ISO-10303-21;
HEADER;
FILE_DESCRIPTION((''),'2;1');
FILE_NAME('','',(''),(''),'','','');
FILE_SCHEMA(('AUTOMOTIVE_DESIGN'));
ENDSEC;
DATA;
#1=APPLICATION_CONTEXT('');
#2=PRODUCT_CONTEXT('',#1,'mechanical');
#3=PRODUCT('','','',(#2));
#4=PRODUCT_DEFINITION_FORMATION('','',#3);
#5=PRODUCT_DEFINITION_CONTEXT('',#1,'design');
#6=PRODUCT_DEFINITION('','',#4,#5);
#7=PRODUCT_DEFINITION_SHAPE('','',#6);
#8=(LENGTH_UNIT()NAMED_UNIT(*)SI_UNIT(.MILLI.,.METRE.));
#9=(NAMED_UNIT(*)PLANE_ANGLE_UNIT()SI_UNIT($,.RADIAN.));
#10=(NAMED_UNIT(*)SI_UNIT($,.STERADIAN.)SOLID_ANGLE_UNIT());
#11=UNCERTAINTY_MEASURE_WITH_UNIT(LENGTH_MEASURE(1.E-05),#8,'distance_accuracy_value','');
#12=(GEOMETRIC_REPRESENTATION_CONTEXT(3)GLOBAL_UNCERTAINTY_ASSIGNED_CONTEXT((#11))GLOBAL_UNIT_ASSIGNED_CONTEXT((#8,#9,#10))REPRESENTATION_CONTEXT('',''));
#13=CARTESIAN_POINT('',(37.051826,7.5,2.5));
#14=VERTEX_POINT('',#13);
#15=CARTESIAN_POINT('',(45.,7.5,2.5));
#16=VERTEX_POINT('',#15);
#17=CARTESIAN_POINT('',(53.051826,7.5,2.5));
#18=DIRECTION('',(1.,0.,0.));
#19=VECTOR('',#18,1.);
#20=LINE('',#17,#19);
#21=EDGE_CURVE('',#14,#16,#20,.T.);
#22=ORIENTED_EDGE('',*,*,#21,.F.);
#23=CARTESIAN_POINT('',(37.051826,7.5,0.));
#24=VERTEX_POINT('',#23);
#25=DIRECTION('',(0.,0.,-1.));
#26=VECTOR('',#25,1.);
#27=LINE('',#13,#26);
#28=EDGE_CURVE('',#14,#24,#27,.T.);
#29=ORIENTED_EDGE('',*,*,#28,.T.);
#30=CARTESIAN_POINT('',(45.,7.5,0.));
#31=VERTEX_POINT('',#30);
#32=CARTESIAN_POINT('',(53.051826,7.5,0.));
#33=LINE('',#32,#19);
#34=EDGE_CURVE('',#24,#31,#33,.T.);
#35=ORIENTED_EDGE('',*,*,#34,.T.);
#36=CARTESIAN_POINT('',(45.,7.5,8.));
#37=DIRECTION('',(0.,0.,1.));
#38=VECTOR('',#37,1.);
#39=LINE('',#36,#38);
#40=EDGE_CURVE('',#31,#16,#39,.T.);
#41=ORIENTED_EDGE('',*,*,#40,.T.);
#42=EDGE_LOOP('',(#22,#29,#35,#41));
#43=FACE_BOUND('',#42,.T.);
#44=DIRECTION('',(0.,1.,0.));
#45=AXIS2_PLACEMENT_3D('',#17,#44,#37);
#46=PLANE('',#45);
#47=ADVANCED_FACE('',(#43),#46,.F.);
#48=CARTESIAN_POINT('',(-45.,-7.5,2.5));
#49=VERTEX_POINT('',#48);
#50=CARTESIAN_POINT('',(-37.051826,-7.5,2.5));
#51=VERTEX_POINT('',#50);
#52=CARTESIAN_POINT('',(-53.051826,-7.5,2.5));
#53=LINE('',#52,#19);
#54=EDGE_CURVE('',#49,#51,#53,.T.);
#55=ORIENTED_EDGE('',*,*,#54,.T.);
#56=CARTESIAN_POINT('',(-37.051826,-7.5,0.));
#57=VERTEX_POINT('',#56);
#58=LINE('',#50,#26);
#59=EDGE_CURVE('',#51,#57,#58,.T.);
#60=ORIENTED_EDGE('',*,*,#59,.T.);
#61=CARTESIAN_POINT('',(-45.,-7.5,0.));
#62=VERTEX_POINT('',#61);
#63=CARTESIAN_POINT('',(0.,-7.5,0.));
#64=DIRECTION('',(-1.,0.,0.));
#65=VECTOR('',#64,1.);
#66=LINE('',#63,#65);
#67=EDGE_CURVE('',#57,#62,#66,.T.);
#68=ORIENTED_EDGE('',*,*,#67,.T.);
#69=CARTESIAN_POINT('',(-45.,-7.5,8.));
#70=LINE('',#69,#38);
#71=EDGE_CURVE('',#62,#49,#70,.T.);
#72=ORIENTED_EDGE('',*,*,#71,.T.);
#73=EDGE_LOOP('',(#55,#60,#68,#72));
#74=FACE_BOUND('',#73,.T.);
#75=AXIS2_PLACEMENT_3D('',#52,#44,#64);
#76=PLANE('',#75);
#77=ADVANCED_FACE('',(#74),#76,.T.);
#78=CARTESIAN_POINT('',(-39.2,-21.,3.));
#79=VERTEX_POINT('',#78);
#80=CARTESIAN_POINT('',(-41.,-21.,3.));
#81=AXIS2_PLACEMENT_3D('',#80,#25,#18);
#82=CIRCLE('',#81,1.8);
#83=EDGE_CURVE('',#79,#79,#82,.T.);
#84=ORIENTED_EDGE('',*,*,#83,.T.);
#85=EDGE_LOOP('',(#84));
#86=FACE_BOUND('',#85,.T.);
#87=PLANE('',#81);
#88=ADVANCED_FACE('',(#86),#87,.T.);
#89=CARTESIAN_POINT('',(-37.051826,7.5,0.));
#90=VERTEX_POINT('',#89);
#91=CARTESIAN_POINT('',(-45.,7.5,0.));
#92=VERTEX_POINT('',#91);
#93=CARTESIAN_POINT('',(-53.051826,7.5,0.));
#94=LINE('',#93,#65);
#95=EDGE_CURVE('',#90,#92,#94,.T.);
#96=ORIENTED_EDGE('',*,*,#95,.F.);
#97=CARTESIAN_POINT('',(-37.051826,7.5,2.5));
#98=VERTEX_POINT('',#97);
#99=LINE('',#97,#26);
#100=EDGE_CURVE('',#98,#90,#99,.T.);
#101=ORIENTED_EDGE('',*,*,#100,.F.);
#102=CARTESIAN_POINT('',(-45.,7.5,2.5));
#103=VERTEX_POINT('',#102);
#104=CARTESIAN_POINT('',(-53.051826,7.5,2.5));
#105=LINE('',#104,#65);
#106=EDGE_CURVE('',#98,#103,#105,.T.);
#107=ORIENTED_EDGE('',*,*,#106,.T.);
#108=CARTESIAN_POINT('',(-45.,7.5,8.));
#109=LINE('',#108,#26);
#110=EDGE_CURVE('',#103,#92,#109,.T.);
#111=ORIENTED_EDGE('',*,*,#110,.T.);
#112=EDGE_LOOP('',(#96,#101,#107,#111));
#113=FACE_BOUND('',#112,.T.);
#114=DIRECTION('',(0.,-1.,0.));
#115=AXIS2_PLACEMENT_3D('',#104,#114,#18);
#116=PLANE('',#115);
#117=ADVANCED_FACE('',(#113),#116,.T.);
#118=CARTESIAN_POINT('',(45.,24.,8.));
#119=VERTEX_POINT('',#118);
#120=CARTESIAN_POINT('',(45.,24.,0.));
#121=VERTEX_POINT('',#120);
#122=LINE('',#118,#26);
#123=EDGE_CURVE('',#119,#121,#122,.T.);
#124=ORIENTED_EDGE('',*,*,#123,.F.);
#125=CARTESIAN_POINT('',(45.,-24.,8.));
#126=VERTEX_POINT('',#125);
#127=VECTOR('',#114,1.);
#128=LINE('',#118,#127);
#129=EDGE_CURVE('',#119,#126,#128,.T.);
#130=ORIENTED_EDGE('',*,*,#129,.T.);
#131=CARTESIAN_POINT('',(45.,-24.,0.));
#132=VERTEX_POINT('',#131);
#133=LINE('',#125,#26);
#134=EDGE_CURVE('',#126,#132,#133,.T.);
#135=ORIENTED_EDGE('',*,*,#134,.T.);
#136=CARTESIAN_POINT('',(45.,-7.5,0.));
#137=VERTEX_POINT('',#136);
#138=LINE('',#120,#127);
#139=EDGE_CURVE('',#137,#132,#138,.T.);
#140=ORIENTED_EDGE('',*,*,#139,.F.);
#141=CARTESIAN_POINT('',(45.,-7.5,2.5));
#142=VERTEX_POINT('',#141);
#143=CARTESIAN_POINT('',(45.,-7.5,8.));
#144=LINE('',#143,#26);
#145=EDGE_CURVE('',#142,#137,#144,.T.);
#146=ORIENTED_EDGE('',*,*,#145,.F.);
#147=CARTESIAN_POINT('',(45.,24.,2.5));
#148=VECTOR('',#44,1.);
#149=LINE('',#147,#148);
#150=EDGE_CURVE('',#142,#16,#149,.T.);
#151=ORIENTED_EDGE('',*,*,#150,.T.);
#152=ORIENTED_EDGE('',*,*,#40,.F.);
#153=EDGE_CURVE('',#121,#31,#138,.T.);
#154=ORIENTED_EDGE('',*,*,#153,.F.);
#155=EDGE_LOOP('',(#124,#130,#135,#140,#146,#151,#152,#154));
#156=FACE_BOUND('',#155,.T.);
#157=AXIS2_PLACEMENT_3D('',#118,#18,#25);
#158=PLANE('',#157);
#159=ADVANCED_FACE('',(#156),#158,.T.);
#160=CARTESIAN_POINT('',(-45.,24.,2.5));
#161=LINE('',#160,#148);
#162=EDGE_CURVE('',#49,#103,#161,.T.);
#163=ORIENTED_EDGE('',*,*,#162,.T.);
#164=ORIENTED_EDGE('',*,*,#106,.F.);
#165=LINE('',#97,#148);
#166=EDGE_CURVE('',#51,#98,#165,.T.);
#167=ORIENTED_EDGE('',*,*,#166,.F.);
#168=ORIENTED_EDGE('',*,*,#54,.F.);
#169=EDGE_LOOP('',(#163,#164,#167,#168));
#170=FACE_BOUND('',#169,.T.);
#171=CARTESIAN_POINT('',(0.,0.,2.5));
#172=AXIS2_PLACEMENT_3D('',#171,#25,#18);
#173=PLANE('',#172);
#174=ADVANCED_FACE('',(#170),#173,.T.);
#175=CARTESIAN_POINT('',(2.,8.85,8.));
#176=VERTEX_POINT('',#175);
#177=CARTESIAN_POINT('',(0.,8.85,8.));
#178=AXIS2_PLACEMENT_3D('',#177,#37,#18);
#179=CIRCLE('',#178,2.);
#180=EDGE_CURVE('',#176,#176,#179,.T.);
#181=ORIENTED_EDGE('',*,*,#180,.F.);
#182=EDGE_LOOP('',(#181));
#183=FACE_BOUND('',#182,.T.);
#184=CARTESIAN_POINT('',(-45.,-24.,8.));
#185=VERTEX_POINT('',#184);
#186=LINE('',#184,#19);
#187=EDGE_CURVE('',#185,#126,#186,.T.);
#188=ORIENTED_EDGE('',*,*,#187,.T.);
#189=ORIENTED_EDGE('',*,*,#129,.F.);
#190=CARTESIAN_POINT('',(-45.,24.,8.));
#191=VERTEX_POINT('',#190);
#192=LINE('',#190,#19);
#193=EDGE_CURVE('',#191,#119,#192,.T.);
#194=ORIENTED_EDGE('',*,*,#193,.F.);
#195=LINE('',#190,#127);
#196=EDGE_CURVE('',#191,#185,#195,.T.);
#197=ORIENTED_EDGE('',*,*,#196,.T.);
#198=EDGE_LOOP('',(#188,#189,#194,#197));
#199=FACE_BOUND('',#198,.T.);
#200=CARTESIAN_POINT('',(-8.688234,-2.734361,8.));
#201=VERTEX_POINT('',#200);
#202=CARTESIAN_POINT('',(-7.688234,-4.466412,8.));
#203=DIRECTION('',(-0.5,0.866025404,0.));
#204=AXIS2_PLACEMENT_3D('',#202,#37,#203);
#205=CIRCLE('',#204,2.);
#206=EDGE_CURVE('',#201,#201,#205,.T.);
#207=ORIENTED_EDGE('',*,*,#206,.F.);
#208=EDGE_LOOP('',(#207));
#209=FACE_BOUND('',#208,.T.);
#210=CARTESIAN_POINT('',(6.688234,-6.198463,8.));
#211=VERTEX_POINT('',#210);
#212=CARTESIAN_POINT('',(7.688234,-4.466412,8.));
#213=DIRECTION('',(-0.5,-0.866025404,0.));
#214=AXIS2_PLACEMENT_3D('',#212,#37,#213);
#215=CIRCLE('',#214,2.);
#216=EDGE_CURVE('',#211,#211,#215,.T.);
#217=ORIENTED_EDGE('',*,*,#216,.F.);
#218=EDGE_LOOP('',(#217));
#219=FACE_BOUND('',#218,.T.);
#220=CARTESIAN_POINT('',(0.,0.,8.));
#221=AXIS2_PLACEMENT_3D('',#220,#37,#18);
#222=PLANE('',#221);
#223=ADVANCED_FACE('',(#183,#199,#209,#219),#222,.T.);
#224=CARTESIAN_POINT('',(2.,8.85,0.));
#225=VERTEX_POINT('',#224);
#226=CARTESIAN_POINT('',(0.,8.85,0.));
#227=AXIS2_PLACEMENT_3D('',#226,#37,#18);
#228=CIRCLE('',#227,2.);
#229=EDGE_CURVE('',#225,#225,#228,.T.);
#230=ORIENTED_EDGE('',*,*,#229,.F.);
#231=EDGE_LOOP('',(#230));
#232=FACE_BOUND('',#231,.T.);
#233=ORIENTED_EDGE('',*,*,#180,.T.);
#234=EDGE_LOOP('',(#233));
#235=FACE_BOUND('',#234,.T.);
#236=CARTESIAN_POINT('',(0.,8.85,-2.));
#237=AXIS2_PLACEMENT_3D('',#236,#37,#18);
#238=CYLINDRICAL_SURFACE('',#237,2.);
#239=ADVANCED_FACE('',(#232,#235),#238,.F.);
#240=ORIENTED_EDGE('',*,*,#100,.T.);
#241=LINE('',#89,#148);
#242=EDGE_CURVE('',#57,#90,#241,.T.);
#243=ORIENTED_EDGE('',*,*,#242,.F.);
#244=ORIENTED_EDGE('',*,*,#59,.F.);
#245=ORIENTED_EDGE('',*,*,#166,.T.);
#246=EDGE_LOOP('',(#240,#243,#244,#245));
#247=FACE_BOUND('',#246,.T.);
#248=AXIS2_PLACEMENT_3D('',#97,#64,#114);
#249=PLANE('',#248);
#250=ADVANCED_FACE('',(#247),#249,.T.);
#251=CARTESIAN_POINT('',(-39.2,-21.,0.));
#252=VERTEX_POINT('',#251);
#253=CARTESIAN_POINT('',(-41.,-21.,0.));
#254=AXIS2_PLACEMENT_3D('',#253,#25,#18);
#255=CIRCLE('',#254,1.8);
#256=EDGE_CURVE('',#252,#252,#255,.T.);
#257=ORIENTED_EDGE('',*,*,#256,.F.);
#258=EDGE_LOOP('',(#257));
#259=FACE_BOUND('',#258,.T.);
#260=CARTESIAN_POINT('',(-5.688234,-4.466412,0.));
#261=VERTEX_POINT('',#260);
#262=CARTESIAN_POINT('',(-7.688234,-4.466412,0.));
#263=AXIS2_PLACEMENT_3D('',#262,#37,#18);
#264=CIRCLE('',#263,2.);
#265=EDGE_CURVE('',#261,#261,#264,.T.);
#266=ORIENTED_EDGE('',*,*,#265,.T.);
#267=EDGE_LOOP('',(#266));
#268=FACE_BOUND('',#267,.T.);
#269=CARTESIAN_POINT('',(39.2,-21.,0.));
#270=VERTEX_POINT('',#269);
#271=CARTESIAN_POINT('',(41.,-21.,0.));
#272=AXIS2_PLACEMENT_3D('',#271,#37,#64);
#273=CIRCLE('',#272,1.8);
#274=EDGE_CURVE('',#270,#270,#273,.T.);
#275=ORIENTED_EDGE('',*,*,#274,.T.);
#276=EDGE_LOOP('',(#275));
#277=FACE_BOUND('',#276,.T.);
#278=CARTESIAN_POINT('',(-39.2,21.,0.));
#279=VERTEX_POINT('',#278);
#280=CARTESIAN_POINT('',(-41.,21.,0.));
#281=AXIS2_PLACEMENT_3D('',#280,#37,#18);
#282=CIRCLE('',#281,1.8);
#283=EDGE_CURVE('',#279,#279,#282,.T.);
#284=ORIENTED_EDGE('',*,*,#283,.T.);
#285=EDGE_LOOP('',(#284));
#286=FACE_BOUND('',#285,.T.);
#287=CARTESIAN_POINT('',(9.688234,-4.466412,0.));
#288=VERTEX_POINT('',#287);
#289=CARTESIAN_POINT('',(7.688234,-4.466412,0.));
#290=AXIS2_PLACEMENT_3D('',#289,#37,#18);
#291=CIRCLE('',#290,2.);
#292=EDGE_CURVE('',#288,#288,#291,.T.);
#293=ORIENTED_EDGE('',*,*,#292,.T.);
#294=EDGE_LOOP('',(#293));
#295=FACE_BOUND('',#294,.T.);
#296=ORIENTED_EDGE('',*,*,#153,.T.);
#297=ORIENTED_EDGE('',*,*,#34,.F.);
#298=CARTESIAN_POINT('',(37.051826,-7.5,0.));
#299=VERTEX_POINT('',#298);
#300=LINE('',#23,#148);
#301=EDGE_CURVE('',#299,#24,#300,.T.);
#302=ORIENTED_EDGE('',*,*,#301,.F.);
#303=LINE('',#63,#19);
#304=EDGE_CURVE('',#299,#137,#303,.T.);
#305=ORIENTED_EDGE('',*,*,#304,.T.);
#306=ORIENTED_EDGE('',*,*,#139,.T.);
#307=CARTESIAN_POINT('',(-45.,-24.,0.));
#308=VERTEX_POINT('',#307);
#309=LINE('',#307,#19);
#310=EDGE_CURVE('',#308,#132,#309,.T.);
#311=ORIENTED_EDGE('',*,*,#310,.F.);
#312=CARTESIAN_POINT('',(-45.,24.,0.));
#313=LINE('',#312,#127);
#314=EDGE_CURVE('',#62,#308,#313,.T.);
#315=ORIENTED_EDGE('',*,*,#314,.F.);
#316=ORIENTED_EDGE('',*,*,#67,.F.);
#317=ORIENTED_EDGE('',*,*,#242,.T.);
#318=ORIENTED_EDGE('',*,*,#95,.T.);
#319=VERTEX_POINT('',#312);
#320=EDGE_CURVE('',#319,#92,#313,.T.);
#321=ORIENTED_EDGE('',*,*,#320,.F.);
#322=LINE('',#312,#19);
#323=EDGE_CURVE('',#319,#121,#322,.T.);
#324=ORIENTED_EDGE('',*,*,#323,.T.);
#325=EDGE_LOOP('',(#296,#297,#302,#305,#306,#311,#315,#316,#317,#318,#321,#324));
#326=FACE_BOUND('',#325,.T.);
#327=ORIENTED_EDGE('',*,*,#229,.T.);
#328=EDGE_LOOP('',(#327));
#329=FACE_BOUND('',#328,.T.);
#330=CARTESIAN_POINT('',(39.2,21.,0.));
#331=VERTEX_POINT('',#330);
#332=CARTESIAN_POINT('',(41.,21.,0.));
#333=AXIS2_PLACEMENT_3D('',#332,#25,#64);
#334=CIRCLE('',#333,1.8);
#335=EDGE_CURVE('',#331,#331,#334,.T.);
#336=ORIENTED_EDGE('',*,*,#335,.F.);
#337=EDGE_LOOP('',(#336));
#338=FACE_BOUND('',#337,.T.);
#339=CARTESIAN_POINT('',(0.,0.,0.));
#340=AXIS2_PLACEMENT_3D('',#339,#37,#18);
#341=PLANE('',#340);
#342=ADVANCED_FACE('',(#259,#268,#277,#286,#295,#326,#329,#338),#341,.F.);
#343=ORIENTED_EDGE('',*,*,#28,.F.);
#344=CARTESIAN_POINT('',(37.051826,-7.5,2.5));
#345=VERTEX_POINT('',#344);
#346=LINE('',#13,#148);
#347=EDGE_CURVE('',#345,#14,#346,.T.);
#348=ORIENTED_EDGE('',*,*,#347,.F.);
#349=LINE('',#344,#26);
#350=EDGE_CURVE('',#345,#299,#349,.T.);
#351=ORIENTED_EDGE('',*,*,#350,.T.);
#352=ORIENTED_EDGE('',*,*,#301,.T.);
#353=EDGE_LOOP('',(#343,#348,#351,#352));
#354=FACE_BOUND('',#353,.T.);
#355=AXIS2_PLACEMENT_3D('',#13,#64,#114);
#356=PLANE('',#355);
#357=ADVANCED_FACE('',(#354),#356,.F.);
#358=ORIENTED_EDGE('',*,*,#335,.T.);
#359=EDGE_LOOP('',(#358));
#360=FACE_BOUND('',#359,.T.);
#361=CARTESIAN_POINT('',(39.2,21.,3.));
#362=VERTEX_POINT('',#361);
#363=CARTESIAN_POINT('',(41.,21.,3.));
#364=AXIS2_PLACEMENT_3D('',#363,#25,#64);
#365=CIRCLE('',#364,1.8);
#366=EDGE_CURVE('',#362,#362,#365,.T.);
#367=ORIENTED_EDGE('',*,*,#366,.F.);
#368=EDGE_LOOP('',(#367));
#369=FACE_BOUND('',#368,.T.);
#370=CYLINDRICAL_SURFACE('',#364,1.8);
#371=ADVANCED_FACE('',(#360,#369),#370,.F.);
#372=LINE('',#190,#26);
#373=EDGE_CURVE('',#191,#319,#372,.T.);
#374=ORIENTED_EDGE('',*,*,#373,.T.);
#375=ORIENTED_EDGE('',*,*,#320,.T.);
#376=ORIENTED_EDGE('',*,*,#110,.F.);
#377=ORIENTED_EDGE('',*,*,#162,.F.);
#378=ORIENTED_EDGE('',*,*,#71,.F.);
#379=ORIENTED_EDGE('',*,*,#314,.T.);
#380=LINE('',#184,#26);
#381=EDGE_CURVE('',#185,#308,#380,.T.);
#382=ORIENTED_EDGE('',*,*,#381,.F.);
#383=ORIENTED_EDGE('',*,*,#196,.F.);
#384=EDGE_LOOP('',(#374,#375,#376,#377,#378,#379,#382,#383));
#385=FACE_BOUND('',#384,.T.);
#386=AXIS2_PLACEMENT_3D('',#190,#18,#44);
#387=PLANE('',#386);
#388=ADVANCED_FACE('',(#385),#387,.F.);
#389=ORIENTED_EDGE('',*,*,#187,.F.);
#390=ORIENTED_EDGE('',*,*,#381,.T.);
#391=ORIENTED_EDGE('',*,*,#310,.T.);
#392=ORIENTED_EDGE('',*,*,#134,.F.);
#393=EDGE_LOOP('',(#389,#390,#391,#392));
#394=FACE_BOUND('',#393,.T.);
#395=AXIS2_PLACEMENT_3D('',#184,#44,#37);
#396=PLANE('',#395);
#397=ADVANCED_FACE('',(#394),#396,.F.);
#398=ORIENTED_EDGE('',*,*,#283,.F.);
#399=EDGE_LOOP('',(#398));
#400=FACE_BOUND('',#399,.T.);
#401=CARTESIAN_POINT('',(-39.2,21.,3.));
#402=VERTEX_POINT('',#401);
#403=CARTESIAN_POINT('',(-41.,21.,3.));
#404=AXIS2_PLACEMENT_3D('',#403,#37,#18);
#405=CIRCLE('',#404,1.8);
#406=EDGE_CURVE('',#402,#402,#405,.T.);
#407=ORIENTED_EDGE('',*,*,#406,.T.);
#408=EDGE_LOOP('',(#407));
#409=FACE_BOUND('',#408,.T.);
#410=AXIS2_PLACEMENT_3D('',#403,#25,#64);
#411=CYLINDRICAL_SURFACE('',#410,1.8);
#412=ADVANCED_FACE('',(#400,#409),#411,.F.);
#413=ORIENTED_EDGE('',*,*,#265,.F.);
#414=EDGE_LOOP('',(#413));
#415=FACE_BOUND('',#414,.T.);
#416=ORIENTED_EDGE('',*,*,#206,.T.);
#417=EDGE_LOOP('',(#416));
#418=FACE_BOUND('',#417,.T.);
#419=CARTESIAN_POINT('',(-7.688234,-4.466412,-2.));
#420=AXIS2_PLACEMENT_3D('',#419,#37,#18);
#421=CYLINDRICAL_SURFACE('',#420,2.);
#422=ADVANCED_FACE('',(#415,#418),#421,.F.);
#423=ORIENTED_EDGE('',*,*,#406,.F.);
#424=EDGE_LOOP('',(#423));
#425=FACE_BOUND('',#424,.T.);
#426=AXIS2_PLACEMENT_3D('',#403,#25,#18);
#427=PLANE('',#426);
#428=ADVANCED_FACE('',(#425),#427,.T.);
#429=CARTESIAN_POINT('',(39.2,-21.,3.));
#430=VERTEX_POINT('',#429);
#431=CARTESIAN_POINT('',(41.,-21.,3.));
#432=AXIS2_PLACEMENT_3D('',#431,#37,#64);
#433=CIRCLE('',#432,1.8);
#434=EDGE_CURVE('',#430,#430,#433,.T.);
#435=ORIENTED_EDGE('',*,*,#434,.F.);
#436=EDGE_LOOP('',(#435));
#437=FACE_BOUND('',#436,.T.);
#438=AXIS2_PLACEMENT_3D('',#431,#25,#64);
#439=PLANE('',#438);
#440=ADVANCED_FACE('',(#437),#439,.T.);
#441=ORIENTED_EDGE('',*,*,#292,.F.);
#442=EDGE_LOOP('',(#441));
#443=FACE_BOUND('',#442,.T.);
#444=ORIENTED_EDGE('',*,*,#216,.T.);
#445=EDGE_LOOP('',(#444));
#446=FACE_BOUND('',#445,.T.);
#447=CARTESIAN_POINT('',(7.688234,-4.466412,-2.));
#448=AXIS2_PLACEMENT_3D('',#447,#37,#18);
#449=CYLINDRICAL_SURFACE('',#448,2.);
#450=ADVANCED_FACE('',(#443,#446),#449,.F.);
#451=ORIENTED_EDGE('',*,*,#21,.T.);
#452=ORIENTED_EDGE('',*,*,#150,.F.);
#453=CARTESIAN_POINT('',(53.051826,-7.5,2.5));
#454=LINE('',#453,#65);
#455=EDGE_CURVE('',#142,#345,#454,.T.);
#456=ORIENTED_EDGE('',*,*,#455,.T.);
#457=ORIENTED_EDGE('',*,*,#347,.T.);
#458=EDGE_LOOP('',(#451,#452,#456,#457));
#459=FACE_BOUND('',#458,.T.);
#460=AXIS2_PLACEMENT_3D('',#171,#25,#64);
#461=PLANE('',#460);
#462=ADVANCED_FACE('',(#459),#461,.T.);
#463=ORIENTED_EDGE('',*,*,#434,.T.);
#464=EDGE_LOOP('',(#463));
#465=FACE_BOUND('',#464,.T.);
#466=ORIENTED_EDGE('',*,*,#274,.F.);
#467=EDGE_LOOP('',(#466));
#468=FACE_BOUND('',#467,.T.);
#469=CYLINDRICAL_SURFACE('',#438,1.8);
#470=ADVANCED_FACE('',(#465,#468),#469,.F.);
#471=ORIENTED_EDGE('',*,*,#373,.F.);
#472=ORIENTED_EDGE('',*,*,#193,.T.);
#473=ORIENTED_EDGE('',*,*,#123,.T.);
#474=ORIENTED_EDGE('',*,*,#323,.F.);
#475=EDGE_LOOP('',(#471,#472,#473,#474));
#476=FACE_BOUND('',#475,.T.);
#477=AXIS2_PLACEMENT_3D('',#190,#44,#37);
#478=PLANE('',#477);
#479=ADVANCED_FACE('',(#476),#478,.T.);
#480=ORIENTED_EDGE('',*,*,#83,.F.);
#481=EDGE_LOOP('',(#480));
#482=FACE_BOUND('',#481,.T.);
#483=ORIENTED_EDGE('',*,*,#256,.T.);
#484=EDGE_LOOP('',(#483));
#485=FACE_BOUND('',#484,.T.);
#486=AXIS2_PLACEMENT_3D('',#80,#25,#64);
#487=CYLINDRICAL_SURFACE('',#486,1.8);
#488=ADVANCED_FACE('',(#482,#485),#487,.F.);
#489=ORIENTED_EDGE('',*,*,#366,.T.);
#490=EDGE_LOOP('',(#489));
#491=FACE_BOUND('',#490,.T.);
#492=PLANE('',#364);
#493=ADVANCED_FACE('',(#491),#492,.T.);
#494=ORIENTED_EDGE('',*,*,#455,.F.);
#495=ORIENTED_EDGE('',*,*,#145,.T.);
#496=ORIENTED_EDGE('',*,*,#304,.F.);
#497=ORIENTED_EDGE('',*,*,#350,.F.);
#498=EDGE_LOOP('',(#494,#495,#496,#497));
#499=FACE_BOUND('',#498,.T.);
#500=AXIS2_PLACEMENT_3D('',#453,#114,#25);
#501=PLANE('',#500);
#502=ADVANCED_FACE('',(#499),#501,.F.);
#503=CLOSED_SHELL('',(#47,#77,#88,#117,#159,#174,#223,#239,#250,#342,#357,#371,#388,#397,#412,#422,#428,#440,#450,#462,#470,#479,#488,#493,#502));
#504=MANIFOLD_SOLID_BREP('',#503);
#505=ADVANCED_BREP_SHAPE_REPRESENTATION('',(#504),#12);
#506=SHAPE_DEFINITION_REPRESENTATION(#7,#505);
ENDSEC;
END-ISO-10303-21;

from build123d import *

# Parameters (mm, degrees)
SKETCH_1_W               = 90
SKETCH_1_H               = 48
EXTRUDE_1_DEPTH          = 8
SKETCH_6_R               = 1.8
CUT_EXTRUDE_4_DEPTH      = 3
MIRROR_6_COPY_1_SKETCH_R = 1.8
MIRROR_6_COPY_1_DEPTH    = 3
SKETCH_7_W               = 16
SKETCH_7_H               = 15
CUT_EXTRUDE_5_DEPTH      = 2.5
SKETCH_4_R               = 2
CUT_EXTRUDE_6_DEPTH      = 10
PATTERN_CIRCULAR_1_COUNT = 3


with BuildPart() as part:
    # 草图1 → 凸台-拉伸1 (new body)
    with BuildSketch(Plane.XY):
        Rectangle(SKETCH_1_W, SKETCH_1_H)
    extrude(amount=EXTRUDE_1_DEPTH)

    # 草图6 → 切除-拉伸4 (cut)
    with BuildSketch(Plane(origin=(0, 0, 0), x_dir=(-1, 0, 0), z_dir=(0, 0, -1))):
        with Locations((-41, 21)):
            Circle(SKETCH_6_R)
    cut_extrude_4 = extrude(amount=-CUT_EXTRUDE_4_DEPTH, mode=Mode.SUBTRACT)

    # 镜向5: 切除-拉伸4 across plane
    add(cut_extrude_4.mirror(Plane.ZX), mode=Mode.SUBTRACT)

    # 镜向6: 切除-拉伸4 across plane
    add(cut_extrude_4.mirror(Plane(origin=(0, 0, 0), x_dir=(0, 0, 1), z_dir=(1, 0, 0))), mode=Mode.SUBTRACT)

    # 镜向6 copy 1 sketch → 镜向6 copy 1 (cut)
    with BuildSketch(Plane(origin=(0, 0, 0), x_dir=(1, 0, 0), z_dir=(0, 0, -1))):
        with Locations((-41, 21)):
            Circle(MIRROR_6_COPY_1_SKETCH_R)
    extrude(amount=-MIRROR_6_COPY_1_DEPTH, mode=Mode.SUBTRACT)

    # 草图7 → 切除-拉伸5 (cut)
    with BuildSketch(Plane(origin=(0, 0, 0), x_dir=(-1, 0, 0), z_dir=(0, 0, -1))):
        with Locations((-45.051826461, 0)):
            Rectangle(SKETCH_7_W, SKETCH_7_H)
    cut_extrude_5 = extrude(amount=-CUT_EXTRUDE_5_DEPTH, mode=Mode.SUBTRACT)

    # 镜向7: 切除-拉伸5 across plane
    add(cut_extrude_5.mirror(Plane(origin=(0, 0, 0), x_dir=(0, 0, 1), z_dir=(1, 0, 0))), mode=Mode.SUBTRACT)

    # 草图4 → 切除-拉伸6 (cut)
    with BuildSketch(Plane.XY.offset(8)):
        with Locations((0, 8.85)):
            Circle(SKETCH_4_R)
    cut_extrude_6 = extrude(amount=-CUT_EXTRUDE_6_DEPTH, mode=Mode.SUBTRACT)

    # 阵列(圆周)1: 切除-拉伸6 ×3 about axis
    pattern_circular_1_axis = Axis((0, -0.027607952, 0), (0, 0, 1))
    for i in range(1, PATTERN_CIRCULAR_1_COUNT):
        add(cut_extrude_6.rotate(pattern_circular_1_axis, i * 360 / PATTERN_CIRCULAR_1_COUNT), mode=Mode.SUBTRACT)


solid = part.part
